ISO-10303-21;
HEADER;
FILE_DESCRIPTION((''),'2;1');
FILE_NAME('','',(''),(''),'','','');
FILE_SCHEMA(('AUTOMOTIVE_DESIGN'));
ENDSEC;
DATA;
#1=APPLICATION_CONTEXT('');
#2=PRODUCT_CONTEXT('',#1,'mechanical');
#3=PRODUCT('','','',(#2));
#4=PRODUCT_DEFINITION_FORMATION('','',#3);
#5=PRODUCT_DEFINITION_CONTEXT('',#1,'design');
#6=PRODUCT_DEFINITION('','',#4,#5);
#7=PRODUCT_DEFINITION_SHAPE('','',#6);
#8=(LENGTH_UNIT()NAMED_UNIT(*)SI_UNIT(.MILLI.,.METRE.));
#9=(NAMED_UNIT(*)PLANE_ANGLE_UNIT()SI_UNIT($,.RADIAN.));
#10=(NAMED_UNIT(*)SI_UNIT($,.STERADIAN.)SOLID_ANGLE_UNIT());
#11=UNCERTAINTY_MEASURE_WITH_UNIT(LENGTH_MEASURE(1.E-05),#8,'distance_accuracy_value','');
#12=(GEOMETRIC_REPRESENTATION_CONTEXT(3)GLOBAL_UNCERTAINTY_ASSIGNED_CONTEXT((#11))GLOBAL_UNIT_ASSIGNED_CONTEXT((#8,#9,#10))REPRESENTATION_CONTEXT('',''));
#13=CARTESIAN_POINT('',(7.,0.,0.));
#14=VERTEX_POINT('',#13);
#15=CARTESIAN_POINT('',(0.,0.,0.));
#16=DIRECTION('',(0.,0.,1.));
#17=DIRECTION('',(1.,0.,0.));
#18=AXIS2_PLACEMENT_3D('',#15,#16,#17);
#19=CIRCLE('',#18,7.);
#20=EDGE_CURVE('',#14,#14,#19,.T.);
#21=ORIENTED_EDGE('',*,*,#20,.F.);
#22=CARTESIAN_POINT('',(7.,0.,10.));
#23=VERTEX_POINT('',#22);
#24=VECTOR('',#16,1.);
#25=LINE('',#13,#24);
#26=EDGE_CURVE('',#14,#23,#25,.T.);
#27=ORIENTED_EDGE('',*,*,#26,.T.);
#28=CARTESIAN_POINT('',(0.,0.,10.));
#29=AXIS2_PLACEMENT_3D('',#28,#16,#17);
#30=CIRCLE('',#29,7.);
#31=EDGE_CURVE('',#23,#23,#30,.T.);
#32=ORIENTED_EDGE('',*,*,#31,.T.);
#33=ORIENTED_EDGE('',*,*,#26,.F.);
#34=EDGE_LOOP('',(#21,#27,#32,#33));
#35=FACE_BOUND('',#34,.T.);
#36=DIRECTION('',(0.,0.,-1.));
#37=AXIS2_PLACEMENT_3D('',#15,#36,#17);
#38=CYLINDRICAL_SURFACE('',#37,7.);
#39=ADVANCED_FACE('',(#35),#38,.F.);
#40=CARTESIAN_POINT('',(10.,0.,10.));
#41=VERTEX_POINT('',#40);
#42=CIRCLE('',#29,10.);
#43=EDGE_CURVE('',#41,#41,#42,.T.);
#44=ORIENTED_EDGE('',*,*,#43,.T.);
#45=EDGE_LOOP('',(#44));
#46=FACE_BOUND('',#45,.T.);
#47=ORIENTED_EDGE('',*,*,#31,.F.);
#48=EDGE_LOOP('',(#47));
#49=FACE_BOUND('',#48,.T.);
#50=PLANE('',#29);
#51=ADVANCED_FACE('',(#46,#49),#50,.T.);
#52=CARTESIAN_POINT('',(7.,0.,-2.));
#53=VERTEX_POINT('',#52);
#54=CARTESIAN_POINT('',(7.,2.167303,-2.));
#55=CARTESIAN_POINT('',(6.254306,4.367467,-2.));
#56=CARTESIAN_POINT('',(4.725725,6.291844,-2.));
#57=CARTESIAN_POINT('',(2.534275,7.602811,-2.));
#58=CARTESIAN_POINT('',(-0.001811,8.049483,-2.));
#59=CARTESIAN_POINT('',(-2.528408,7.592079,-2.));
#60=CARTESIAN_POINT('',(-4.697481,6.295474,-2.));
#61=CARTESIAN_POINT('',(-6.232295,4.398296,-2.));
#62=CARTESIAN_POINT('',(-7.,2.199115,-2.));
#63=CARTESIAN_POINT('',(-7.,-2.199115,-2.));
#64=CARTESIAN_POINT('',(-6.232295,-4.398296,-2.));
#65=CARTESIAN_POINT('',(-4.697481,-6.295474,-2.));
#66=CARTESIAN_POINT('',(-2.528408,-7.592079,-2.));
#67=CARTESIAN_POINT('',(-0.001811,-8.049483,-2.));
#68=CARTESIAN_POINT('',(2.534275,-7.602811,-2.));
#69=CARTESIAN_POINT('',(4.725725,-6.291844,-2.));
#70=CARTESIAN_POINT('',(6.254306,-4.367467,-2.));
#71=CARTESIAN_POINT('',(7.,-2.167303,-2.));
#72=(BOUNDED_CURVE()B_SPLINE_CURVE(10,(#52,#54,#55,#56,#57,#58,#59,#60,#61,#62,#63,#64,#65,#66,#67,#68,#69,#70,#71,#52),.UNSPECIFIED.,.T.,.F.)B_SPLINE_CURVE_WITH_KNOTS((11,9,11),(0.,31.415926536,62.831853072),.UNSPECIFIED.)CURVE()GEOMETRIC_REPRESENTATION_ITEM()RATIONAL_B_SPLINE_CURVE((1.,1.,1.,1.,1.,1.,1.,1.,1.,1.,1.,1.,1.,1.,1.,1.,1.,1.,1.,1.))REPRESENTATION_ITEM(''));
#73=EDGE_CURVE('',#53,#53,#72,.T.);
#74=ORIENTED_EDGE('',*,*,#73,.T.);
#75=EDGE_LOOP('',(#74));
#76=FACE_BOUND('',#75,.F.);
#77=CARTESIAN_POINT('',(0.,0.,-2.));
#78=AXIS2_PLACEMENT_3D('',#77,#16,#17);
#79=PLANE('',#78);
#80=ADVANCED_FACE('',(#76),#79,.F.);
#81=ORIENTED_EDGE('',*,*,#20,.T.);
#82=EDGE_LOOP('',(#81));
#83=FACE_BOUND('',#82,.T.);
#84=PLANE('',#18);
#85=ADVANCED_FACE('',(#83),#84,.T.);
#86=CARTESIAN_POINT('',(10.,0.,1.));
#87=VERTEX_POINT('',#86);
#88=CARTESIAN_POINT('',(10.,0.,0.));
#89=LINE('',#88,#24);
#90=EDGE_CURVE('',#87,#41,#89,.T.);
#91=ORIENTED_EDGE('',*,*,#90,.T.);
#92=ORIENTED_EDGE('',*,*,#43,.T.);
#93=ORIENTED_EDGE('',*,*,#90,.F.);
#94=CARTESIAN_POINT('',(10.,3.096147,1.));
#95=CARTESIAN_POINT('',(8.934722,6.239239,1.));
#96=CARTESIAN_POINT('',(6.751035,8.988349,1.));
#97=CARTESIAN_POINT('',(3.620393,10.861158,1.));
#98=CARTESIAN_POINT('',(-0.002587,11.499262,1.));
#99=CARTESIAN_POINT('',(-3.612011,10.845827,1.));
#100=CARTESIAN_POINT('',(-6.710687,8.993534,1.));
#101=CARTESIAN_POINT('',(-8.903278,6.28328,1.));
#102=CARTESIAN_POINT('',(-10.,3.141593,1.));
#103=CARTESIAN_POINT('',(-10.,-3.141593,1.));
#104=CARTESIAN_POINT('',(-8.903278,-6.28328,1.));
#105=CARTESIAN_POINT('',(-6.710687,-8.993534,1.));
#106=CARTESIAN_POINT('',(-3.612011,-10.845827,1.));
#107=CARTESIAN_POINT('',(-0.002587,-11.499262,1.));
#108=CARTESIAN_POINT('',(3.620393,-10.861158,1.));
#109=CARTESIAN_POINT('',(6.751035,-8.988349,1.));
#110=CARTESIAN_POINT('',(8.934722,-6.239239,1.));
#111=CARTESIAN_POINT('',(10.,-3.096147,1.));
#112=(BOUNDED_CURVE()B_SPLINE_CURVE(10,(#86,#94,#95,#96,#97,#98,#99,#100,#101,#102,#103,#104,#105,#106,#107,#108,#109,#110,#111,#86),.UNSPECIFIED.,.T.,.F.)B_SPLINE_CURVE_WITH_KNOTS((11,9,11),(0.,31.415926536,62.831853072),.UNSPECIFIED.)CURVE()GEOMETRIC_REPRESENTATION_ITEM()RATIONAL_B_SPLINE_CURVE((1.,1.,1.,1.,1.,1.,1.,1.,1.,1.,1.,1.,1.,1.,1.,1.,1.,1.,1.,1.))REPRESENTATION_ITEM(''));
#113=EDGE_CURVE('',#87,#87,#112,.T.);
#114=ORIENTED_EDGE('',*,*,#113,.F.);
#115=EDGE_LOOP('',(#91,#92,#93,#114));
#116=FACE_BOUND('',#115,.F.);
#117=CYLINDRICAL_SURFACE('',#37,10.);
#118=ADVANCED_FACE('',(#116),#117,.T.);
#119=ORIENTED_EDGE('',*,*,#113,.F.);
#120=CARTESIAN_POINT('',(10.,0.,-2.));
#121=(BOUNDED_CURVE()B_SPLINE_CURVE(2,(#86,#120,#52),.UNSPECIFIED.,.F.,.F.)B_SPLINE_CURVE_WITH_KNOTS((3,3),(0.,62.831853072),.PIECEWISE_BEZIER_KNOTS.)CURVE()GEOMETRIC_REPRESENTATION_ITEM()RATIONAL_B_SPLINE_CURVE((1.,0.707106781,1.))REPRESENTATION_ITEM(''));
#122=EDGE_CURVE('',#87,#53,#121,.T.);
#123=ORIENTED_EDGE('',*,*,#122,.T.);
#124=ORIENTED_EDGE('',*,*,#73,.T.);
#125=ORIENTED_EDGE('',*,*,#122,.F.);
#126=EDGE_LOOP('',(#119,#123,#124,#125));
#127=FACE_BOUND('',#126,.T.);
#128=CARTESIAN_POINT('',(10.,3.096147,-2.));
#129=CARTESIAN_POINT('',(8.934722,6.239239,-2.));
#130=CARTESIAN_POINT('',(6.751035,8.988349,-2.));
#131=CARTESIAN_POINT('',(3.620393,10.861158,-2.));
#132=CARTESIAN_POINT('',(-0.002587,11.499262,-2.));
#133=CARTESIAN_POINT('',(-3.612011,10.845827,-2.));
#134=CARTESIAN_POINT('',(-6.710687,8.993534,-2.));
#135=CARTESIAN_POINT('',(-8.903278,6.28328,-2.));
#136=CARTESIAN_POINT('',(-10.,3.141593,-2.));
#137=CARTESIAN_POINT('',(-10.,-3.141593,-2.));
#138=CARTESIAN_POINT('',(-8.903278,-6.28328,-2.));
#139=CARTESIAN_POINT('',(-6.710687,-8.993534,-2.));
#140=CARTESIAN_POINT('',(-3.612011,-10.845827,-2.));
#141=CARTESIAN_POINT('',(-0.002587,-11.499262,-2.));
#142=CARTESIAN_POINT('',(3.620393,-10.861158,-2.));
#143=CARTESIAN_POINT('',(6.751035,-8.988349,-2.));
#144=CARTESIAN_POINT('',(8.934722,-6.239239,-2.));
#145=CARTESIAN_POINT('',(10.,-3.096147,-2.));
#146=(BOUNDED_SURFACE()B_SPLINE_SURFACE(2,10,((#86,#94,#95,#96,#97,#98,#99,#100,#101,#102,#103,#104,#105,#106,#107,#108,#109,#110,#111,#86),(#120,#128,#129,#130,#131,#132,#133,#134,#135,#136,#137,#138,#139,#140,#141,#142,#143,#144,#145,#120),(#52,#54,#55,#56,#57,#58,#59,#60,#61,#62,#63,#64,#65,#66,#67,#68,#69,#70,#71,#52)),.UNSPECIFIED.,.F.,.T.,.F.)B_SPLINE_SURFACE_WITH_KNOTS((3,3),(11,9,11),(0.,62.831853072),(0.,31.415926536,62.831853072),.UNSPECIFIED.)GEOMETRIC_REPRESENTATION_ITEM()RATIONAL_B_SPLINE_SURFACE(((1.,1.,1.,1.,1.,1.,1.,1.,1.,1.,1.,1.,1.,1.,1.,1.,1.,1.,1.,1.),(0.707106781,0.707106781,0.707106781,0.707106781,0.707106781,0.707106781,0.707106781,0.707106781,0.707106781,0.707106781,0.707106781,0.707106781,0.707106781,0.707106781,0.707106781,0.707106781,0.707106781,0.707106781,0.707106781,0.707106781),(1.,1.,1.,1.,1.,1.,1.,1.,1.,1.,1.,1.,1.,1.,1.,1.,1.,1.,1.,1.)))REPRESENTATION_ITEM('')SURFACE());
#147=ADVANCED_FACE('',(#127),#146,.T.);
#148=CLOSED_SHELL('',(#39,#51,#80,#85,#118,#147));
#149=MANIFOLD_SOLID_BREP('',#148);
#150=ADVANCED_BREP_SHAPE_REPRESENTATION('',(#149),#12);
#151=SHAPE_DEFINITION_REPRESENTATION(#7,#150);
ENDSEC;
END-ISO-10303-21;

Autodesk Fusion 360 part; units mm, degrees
sketch "Sketch1" plane through (0, 0, 0) normal (0, 0, 1) x (1, 0, 0)
  circle A0 centre (0, 0) radius 7
  circle A1 centre (0, 0) radius 10
  dimension "d1" = 3
  dimension "d2" = 14
extrude "Extrude1" add sketch "Sketch1" along normal blind 10
extrude "Extrude2" add sketch "Sketch1" against normal blind 2 contours A0 | A1
fillet "Fillet1" radius 3 1 edges at (-9.3233, 3.6162, -2)
